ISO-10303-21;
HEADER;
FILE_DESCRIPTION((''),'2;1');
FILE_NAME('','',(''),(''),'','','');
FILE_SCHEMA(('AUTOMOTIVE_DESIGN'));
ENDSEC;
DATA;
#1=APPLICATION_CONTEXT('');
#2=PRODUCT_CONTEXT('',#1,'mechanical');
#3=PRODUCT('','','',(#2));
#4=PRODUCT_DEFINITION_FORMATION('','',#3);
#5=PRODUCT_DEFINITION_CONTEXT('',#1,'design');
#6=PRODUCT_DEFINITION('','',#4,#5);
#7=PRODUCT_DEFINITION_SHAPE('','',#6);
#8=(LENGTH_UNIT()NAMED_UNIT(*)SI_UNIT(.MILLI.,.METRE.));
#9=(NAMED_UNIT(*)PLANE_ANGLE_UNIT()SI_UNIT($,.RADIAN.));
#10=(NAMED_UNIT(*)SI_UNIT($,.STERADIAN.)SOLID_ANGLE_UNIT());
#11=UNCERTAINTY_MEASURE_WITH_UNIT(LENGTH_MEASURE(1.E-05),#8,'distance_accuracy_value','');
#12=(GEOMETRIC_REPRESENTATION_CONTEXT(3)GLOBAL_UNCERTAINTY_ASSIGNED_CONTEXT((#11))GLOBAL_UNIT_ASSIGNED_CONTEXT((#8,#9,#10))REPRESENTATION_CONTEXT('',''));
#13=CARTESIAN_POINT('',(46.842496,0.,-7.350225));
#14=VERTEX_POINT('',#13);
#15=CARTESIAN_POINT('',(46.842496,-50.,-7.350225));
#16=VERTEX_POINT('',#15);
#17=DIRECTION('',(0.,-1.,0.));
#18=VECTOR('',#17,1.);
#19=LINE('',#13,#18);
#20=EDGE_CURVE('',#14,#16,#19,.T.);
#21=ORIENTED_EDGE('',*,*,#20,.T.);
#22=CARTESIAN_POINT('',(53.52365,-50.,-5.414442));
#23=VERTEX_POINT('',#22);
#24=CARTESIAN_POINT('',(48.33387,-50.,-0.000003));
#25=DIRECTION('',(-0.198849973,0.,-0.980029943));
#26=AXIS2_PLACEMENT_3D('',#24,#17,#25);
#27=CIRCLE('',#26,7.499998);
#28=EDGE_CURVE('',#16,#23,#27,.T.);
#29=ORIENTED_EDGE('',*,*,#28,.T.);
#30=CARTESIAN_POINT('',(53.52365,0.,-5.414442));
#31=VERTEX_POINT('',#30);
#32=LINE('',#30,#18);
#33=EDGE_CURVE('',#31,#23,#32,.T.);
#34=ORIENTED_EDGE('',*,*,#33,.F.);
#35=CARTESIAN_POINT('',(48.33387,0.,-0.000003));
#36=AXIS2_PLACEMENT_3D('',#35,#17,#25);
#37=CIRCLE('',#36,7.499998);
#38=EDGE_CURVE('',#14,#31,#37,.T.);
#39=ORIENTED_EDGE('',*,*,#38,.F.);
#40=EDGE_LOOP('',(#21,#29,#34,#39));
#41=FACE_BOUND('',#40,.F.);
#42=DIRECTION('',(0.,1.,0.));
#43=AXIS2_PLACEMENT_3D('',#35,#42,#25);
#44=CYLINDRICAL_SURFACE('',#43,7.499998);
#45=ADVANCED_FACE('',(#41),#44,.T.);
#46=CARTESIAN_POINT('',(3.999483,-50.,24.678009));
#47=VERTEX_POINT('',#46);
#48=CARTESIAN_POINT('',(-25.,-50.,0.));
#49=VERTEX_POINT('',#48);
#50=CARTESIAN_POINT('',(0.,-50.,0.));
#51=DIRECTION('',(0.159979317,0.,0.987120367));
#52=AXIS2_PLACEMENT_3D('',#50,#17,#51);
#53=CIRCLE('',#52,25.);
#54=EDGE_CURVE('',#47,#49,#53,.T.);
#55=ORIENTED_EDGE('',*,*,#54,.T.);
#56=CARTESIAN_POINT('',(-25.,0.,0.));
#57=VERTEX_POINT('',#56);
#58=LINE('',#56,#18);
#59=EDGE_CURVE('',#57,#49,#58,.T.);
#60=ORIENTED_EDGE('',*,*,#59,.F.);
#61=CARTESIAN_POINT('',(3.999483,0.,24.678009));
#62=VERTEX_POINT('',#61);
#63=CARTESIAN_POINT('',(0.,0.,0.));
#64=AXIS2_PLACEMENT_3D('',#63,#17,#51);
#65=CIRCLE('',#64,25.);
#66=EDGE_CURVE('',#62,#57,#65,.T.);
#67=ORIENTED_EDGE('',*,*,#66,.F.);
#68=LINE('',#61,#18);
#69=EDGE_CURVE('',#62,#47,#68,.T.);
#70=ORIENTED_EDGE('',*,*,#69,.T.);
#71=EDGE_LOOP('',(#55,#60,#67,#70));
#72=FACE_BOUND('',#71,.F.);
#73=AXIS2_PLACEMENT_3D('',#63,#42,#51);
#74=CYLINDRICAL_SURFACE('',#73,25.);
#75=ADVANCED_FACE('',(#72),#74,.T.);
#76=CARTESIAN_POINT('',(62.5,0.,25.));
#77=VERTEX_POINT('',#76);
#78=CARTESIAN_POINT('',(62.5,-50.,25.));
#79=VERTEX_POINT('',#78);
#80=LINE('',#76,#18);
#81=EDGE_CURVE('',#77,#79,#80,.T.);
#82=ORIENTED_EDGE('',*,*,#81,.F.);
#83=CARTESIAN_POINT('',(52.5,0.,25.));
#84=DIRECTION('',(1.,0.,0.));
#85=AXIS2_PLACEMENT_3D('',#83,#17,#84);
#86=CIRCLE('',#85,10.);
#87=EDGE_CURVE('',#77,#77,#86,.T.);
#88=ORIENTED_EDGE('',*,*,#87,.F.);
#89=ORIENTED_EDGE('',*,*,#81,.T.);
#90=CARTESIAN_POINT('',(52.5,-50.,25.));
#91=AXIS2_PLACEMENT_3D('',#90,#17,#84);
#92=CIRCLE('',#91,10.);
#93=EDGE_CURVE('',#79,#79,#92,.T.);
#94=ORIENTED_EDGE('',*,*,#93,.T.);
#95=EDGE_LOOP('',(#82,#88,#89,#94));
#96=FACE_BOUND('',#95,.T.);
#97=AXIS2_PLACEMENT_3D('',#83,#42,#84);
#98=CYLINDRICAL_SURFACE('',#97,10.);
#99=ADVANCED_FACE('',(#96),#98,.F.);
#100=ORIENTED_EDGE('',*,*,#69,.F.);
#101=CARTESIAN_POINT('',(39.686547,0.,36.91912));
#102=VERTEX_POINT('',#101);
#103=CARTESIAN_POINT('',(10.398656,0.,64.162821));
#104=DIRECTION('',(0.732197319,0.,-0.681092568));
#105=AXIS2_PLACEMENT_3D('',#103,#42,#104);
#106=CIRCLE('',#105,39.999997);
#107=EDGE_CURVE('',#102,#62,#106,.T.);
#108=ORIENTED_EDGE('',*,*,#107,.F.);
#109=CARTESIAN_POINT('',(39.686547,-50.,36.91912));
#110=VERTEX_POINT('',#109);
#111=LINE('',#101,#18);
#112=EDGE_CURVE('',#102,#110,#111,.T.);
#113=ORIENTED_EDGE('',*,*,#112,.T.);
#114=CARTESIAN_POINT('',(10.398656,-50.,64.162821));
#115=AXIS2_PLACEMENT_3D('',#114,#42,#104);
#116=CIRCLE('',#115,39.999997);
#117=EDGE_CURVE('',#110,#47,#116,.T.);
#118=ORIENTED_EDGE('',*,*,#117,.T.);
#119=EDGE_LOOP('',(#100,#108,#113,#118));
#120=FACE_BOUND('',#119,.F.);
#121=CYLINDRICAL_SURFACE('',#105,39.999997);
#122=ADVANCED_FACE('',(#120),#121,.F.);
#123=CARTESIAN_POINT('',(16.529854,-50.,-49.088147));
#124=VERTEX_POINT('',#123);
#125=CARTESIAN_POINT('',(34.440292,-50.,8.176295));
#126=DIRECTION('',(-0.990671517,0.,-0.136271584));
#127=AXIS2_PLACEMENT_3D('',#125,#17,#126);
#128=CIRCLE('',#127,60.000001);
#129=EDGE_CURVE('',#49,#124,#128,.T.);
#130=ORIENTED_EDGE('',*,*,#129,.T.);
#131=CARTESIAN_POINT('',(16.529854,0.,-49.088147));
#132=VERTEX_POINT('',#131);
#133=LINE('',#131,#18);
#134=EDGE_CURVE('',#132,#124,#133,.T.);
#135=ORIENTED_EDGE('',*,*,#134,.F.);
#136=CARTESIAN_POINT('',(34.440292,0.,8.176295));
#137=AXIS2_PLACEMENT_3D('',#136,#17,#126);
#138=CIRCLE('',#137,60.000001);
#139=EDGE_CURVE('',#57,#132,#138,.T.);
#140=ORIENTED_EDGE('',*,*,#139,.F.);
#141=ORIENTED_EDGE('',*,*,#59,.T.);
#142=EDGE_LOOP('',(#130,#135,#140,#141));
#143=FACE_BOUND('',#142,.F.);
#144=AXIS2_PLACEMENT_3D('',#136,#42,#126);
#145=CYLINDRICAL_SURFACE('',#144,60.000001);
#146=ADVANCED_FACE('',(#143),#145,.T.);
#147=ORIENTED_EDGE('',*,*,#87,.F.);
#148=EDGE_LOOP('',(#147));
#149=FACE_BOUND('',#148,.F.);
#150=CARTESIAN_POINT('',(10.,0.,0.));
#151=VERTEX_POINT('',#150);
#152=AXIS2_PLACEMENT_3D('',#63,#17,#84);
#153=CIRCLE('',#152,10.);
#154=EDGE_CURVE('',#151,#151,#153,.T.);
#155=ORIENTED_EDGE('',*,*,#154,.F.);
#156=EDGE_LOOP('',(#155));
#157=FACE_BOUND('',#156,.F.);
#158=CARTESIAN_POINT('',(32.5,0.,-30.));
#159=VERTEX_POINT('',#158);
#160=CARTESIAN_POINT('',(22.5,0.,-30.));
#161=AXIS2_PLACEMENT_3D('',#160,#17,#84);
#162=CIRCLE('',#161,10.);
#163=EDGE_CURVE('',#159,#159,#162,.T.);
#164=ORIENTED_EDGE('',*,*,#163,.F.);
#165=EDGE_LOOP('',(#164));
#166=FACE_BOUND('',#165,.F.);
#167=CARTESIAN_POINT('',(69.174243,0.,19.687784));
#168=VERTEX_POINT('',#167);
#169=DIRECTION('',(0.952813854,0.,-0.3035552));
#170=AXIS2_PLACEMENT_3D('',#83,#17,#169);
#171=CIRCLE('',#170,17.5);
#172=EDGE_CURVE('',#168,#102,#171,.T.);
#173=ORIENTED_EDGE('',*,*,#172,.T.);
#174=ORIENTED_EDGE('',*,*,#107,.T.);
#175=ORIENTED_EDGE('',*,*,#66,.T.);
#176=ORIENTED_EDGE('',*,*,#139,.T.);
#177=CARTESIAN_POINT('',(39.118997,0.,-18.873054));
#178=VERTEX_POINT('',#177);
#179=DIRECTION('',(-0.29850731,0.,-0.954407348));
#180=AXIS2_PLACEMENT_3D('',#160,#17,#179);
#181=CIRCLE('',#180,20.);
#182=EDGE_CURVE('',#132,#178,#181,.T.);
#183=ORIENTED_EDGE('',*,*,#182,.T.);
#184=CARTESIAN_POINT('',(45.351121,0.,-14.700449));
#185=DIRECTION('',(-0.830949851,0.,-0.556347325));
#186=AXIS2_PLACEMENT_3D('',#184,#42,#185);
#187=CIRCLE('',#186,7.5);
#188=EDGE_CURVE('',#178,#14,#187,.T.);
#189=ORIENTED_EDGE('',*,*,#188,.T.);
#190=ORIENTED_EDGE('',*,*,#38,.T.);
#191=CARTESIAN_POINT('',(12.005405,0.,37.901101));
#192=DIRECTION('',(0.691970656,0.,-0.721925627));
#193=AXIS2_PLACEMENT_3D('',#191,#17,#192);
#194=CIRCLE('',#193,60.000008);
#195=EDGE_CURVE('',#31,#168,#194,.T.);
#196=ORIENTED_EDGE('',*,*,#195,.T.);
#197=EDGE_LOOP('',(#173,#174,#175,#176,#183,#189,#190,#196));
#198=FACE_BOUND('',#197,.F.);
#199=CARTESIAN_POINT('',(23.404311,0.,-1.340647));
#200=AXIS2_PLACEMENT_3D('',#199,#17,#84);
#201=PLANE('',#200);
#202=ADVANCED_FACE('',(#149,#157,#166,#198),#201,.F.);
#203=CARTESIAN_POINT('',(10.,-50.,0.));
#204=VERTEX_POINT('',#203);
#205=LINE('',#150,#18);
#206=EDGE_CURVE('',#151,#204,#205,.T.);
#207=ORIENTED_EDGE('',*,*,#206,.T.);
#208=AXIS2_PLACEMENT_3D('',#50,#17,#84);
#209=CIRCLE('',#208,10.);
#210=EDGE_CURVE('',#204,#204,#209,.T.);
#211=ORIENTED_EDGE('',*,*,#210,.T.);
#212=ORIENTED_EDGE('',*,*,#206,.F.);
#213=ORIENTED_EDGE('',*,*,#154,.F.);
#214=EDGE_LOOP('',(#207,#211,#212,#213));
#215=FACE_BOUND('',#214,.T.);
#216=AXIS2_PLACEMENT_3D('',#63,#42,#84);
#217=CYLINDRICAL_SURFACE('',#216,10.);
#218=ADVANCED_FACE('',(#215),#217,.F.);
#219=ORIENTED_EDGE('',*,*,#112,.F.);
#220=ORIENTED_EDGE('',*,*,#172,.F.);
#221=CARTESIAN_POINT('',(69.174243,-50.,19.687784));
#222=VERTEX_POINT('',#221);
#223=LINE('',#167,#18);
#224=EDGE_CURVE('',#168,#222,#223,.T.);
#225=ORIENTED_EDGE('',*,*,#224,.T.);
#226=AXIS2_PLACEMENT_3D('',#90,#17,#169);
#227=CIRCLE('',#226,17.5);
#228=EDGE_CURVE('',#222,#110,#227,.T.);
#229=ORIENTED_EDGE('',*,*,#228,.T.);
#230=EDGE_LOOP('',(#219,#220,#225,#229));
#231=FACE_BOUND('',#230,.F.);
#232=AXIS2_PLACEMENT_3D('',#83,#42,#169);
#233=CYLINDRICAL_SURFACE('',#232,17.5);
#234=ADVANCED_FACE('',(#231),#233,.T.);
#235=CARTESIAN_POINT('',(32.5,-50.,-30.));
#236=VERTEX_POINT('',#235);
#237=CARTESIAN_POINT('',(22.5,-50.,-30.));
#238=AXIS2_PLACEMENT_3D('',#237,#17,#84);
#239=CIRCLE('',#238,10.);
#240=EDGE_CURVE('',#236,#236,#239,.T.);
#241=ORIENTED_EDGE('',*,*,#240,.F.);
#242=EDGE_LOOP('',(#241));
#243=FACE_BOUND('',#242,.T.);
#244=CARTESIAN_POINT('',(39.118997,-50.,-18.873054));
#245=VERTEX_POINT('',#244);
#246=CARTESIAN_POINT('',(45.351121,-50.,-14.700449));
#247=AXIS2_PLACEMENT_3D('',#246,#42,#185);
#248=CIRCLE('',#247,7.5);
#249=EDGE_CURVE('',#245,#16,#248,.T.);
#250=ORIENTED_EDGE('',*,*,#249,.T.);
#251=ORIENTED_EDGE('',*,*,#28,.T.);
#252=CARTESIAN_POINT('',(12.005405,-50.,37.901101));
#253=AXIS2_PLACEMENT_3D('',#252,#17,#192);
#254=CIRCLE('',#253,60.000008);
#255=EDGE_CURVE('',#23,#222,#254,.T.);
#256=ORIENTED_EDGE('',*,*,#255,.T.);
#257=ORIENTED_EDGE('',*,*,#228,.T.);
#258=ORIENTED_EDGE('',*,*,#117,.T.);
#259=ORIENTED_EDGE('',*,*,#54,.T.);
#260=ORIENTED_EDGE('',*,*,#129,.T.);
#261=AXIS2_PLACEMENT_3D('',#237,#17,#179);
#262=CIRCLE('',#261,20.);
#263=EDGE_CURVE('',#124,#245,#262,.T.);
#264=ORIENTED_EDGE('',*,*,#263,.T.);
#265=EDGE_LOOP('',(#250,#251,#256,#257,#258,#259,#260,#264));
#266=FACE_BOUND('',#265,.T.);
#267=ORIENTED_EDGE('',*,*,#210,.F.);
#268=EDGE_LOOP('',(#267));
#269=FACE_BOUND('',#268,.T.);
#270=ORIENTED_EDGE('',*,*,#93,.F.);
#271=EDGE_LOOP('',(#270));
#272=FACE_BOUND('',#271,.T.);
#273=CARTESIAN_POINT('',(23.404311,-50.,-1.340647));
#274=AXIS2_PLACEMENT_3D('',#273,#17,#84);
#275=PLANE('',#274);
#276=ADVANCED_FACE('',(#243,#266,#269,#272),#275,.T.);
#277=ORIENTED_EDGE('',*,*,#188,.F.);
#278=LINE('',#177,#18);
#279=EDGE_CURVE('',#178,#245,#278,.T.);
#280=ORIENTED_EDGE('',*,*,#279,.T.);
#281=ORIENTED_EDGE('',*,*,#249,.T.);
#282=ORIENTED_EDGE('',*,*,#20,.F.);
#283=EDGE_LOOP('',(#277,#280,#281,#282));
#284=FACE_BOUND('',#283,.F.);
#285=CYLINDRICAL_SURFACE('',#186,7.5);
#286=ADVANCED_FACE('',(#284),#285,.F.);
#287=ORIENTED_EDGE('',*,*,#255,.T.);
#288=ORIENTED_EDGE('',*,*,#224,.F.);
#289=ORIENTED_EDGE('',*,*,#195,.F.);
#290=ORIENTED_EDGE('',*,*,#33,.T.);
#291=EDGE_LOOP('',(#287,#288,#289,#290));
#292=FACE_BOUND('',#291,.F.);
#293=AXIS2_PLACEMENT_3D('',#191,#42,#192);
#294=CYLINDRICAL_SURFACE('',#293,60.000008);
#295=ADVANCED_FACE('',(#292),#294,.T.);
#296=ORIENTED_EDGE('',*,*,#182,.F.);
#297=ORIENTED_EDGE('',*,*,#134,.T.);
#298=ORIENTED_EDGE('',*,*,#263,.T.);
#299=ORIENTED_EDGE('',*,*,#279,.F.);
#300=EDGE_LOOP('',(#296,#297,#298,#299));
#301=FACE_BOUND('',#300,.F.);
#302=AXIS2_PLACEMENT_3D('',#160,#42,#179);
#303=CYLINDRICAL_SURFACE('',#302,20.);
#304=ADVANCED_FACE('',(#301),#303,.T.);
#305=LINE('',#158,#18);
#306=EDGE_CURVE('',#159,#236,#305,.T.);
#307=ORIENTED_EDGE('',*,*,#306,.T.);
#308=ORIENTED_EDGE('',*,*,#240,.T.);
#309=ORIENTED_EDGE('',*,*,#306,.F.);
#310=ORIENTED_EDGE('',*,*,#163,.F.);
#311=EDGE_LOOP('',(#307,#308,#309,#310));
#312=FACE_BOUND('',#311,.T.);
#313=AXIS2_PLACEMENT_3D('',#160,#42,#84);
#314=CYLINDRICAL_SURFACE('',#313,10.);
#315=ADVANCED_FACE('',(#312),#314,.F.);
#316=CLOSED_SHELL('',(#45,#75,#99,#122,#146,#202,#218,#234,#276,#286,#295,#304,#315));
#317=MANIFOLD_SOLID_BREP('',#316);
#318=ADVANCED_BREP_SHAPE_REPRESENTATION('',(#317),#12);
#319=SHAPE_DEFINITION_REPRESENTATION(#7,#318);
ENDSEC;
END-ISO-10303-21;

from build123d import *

# Parameters (mm, degrees)
F0_R     = 10
F1_DEPTH = 50


with BuildPart() as f1:
    # F0 (on Front) → F1 (new body)
    with BuildSketch(Plane.XZ):
        with BuildLine():
            ThreePointArc((39.686547, 36.91912), (23.37689, 26.32679), (3.999483, 24.678009))
            ThreePointArc((3.999483, 24.678009), (-16.202051, 19.039263), (-25, 0))
            ThreePointArc((-25, 0), (-11.365771, -30.57683), (16.529854, -49.088147))
            ThreePointArc((16.529854, -49.088147), (38.518348, -41.975497), (39.118997, -18.873054))
            ThreePointArc((39.118997, -18.873054), (39.121147, -10.524635), (46.842496, -7.350225))
            ThreePointArc((46.842496, -7.350225), (50.421061, -7.203724), (53.52365, -5.414442))
            ThreePointArc((53.52365, -5.414442), (62.920192, 6.15704), (69.174243, 19.687784))
            ThreePointArc((69.174243, 19.687784), (61.329279, 40.109396), (39.686547, 36.91912))
        make_face()
        with Locations((22.5, -30)):
            Circle(F0_R, mode=Mode.SUBTRACT)
        Circle(F0_R, mode=Mode.SUBTRACT)
        with Locations((52.5, 25)):
            Circle(F0_R, mode=Mode.SUBTRACT)
    extrude(amount=F1_DEPTH)


solid = f1.part
